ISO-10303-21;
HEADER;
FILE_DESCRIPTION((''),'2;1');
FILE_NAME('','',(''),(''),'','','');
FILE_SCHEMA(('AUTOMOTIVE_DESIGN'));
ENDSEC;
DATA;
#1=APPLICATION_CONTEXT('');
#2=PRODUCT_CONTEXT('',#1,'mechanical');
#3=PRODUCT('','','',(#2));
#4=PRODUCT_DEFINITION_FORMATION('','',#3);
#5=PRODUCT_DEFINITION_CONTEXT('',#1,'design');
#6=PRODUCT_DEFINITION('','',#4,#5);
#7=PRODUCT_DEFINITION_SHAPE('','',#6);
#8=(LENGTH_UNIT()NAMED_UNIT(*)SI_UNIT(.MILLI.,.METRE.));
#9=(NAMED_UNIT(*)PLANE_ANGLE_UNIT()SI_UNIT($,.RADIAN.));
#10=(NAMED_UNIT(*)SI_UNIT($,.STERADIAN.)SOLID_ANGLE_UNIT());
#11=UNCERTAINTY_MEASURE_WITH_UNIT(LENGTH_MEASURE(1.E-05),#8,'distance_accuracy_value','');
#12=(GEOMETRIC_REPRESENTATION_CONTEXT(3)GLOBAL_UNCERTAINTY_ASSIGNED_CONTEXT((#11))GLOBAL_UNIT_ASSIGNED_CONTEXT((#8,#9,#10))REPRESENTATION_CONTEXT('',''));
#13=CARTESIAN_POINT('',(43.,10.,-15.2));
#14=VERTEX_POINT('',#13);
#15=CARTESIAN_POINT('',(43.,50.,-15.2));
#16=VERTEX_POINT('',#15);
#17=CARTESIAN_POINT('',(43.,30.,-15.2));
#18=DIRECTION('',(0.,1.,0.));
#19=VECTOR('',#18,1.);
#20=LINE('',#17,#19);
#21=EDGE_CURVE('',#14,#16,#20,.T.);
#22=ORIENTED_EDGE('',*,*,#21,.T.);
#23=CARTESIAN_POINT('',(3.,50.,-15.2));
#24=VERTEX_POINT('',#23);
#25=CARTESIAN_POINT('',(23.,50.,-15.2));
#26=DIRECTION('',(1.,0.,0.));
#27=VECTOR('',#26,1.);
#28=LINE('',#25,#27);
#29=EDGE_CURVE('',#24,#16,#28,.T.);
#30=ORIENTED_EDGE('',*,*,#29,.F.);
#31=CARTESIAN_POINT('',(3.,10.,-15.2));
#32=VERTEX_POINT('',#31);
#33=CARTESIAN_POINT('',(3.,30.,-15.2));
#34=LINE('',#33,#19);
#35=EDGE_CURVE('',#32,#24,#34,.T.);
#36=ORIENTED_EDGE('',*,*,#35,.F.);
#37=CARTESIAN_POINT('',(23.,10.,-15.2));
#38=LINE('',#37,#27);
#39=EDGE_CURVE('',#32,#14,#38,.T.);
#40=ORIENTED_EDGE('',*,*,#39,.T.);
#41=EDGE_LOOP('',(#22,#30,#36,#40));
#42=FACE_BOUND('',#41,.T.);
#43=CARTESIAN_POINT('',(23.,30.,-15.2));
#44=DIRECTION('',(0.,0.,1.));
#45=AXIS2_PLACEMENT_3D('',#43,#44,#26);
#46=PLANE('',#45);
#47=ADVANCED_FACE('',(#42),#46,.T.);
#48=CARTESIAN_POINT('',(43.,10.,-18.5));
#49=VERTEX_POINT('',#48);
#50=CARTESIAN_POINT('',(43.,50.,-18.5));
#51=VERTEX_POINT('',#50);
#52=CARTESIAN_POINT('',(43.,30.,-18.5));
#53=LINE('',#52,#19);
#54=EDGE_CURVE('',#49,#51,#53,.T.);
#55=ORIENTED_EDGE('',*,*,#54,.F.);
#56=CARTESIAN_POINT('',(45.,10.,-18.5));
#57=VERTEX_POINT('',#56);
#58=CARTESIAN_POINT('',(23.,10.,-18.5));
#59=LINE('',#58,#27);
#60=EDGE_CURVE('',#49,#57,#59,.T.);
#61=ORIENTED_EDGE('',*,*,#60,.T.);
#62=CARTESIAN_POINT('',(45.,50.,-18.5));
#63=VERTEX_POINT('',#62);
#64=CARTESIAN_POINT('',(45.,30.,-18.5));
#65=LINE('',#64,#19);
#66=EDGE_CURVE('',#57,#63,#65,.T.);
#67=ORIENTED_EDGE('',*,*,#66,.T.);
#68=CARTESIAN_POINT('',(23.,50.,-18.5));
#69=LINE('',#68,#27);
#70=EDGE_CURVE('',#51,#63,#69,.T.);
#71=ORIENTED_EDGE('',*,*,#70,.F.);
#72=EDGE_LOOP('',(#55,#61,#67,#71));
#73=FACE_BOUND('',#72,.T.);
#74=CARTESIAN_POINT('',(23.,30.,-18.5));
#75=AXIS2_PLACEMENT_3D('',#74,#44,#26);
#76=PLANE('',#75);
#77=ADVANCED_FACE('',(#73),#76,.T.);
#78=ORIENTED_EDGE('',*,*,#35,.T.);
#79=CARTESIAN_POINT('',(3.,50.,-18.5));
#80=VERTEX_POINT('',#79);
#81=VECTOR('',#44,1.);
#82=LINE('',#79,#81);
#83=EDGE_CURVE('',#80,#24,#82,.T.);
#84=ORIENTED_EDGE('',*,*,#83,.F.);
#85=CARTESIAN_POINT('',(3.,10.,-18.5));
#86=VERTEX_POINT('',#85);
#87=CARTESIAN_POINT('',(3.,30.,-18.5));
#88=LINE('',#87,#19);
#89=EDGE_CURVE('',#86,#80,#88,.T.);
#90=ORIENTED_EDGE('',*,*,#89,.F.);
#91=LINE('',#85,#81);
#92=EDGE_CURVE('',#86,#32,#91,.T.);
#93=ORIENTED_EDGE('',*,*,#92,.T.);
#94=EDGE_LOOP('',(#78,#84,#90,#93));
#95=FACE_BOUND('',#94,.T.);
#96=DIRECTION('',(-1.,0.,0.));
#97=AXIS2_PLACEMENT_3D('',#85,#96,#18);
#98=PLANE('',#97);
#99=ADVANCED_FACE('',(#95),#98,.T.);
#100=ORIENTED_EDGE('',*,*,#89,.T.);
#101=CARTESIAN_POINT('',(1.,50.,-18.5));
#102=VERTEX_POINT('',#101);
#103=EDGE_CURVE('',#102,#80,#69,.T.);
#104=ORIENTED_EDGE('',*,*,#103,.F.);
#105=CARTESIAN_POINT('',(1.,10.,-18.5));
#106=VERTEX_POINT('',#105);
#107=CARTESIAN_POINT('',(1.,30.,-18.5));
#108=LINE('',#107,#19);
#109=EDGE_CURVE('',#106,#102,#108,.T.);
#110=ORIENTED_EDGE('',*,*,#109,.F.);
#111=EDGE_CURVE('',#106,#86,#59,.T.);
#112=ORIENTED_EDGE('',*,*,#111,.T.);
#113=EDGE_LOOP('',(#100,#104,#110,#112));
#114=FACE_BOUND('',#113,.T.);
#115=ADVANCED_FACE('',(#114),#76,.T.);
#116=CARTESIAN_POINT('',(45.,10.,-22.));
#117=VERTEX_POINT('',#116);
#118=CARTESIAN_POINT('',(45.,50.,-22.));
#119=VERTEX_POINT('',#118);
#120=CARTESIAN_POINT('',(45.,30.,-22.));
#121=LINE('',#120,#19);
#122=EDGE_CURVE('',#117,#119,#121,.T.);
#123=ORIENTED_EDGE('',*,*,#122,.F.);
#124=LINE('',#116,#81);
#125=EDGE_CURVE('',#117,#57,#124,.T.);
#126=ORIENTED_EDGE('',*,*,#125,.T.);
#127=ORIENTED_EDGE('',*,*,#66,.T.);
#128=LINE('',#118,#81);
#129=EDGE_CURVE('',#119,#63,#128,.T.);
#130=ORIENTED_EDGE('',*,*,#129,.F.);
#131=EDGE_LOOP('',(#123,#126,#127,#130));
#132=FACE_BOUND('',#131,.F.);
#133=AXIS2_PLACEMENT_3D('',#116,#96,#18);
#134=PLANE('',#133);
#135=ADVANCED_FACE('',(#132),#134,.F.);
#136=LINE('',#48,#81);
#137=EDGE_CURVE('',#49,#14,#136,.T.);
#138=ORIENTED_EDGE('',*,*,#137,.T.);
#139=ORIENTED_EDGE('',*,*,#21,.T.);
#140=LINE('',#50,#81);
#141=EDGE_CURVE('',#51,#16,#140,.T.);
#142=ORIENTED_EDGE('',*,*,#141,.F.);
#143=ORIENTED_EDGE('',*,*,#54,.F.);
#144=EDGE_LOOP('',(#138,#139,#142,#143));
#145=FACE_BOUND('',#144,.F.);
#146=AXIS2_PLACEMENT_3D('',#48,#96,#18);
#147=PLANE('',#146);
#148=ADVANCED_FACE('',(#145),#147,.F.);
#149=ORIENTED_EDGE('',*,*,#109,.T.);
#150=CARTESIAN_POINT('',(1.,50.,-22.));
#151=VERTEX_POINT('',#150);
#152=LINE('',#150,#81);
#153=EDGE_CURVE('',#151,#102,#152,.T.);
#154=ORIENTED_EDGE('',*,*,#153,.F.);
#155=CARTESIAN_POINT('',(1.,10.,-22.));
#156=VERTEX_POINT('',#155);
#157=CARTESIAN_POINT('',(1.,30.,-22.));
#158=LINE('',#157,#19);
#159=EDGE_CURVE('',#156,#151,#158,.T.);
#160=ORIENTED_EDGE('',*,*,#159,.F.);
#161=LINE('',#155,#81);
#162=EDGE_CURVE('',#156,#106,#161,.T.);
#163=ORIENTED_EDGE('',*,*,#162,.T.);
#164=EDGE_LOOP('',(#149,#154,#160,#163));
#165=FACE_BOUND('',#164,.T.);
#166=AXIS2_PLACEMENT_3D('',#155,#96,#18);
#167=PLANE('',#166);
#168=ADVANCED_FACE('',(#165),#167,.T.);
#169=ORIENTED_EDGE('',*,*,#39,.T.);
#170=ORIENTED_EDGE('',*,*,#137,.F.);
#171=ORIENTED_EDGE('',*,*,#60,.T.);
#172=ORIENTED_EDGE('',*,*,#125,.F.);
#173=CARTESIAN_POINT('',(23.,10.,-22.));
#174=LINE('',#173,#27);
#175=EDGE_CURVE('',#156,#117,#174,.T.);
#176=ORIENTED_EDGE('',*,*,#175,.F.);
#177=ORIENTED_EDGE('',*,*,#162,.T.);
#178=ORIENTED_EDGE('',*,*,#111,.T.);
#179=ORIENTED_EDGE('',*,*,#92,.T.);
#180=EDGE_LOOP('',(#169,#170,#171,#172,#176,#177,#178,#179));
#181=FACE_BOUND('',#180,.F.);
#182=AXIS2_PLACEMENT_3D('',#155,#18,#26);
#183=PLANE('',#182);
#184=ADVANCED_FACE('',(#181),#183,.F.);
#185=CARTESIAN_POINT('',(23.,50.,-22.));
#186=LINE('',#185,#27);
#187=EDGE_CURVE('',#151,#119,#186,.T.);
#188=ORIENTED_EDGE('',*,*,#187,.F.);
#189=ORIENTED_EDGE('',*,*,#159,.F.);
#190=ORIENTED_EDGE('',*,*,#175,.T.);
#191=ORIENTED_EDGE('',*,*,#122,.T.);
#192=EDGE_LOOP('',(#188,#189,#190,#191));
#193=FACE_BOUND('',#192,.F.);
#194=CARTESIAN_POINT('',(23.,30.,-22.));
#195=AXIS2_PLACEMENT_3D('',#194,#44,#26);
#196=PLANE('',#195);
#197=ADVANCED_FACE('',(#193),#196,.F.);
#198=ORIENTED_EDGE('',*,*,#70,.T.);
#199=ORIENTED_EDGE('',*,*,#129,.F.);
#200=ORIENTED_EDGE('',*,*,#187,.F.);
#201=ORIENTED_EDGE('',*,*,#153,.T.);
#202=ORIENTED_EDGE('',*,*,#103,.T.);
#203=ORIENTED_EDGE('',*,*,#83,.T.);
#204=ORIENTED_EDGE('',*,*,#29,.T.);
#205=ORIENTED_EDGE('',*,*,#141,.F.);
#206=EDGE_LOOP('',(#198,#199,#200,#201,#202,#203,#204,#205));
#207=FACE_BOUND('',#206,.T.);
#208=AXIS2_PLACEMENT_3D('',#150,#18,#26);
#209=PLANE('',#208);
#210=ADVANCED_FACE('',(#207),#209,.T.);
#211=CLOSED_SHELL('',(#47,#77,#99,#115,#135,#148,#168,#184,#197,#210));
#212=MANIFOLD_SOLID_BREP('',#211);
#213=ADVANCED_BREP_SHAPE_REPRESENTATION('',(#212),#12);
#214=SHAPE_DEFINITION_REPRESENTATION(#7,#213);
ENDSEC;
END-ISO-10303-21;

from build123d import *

# Parameters (mm, degrees)
BOX003_W     = 44
BOX003_H     = 40
BOX003_DEPTH = 3.5
BOX002_W     = 40
BOX002_H     = 40
BOX002_DEPTH = 3.3


with BuildPart() as radiator:
    # Box003 → Box003 (new body)
    with BuildSketch(Plane(origin=(-2, 0, -3.5), x_dir=(1, 0, 0), z_dir=(0, 0, 1))):
        with Locations((22, 20)):
            Rectangle(BOX003_W, BOX003_H)
    extrude(amount=BOX003_DEPTH)


with BuildPart() as peltier_and_radiator:
    # Box002 → Box002 (new body)
    with BuildSketch(Plane.XY):
        with Locations((20, 20)):
            Rectangle(BOX002_W, BOX002_H)
    extrude(amount=BOX002_DEPTH)

    # Fusion003: union radiator
    add(radiator.part)


with BuildPart() as peltier_and_radiator_1:
    # Fusion003 placement: moved
    add(peltier_and_radiator.part.moved(Location((3, 10, -18.5))))


solid = peltier_and_radiator_1.part
